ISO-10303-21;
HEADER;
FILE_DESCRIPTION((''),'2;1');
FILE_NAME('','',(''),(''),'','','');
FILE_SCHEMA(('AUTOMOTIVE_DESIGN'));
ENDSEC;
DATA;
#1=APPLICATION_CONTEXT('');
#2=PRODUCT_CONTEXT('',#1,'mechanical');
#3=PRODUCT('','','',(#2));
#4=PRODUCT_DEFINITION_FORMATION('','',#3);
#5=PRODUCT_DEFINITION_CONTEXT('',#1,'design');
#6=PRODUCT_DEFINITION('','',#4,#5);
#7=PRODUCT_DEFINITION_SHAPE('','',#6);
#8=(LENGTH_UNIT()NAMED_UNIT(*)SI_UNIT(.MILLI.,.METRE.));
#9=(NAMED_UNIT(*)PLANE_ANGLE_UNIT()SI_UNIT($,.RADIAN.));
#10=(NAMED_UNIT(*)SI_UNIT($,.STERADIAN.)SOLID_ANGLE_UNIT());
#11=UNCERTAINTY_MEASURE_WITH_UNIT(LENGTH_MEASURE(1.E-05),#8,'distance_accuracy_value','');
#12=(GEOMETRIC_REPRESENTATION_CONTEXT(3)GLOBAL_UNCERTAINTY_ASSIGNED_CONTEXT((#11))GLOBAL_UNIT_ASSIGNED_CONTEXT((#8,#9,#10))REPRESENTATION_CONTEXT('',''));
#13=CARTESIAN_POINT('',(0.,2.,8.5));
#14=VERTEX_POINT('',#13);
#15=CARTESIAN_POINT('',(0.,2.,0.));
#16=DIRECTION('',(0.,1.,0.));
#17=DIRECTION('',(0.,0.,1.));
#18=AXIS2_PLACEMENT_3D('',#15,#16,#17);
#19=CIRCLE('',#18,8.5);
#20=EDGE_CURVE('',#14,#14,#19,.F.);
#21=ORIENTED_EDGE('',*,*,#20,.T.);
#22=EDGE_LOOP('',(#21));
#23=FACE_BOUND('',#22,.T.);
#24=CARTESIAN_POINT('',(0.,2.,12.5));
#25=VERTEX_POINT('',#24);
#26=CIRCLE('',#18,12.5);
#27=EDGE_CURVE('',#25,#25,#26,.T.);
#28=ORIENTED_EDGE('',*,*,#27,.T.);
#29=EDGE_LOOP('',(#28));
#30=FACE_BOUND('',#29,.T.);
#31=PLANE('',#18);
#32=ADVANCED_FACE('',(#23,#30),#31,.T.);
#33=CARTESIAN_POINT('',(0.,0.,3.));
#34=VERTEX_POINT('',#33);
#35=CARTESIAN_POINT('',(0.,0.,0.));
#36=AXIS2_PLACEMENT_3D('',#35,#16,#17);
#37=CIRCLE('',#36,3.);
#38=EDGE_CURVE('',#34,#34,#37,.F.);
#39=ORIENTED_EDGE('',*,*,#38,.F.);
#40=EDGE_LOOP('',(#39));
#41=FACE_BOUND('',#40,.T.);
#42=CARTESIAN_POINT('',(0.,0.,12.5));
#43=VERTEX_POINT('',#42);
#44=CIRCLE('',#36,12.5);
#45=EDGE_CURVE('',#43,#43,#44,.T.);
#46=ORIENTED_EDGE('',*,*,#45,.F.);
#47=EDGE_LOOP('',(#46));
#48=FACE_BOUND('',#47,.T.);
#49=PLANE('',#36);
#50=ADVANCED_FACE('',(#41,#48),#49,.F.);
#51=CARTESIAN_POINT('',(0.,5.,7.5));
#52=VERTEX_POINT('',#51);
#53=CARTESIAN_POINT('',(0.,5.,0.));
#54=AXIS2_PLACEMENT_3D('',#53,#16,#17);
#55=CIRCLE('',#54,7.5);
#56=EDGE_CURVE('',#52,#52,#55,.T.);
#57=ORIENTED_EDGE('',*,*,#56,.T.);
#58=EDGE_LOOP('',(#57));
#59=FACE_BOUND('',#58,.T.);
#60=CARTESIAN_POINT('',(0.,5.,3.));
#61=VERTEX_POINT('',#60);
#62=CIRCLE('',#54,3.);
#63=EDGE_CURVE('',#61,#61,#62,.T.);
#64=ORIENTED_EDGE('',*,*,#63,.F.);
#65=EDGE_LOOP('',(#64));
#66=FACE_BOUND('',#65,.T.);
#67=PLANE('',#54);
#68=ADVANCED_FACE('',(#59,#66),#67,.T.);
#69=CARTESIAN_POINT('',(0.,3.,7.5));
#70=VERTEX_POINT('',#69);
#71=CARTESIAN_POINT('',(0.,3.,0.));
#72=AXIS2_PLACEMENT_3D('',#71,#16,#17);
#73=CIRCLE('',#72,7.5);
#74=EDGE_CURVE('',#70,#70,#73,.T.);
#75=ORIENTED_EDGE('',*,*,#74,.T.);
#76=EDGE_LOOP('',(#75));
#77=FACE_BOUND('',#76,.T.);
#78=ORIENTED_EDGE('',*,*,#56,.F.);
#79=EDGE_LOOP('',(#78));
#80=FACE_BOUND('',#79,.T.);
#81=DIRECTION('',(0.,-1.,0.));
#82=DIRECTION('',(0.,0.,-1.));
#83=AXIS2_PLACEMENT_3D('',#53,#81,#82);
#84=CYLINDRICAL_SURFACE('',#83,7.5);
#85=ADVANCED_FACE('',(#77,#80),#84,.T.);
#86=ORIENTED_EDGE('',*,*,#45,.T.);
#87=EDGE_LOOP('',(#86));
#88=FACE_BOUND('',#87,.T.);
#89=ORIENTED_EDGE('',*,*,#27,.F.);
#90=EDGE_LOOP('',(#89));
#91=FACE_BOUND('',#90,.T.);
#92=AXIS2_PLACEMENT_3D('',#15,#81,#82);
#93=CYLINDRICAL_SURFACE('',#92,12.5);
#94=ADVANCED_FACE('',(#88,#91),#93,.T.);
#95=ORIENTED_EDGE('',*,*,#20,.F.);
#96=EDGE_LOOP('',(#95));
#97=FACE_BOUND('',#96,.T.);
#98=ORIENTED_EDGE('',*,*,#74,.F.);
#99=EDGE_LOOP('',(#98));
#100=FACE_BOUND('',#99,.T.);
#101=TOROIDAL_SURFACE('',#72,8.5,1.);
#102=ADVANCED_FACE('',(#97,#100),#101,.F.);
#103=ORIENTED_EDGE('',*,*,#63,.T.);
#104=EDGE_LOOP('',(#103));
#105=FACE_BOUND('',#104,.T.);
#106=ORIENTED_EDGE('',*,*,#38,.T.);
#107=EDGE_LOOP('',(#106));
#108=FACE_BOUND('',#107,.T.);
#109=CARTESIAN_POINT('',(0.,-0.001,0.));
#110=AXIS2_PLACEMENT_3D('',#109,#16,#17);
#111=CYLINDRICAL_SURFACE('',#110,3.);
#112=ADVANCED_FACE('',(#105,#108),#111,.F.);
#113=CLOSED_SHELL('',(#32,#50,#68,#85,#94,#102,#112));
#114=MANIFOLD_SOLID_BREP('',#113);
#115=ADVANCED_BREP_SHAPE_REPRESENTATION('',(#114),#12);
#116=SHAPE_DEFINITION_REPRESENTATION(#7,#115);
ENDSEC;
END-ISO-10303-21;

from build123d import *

# Parameters (mm, degrees)
SKETCH_1_R          = 12.5
EXTRUDE_1_DEPTH     = 2
SKETCH_2_R          = 7.5
EXTRUDE_2_DEPTH     = 3
FILLET_1_R          = 1
CUT_EXTRUDE_1_REACH = 20.371
SKETCH_3_R          = 3


with BuildPart() as part:
    # 草图1 → 凸台-拉伸1 (new body)
    with BuildSketch(Plane(origin=(0, 0, 0), x_dir=(1, 0, 0), z_dir=(0, 1, 0))):
        with Locations(Location((0, 0, 0), (0, 0, 270))):
            Circle(SKETCH_1_R)
    extrude(amount=EXTRUDE_1_DEPTH)

    # 草图2 → 凸台-拉伸2 (add)
    with BuildSketch(Plane(origin=(0, 2, 0), x_dir=(1, 0, 0), z_dir=(0, 1, 0))):
        with Locations(Location((0, 0, 0), (0, 0, 270))):
            Circle(SKETCH_2_R)
    extrude(amount=EXTRUDE_2_DEPTH)

    # 圆角1
    fillet_1_edges = [part.edges().sort_by_distance(p)[0] for p in [
        (0, 2, -7.5),
    ]]
    fillet(fillet_1_edges, radius=FILLET_1_R)

    # 草图3 → 切除-拉伸1 (cut, up to next)
    with BuildSketch(Plane(origin=(0, 5, 0), x_dir=(1, 0, 0), z_dir=(0, 1, 0)), mode=Mode.PRIVATE) as cut_extrude_1_sk1:
        with Locations(Location((0, 0, 0), (0, 0, 270))):
            Circle(SKETCH_3_R)
    cut_extrude_1_tool1 = extrude(cut_extrude_1_sk1.sketch, amount=-CUT_EXTRUDE_1_REACH, mode=Mode.PRIVATE) & part.part
    add(cut_extrude_1_tool1.solids().sort_by_distance((0, 5, 0))[0], mode=Mode.SUBTRACT)


solid = part.part
